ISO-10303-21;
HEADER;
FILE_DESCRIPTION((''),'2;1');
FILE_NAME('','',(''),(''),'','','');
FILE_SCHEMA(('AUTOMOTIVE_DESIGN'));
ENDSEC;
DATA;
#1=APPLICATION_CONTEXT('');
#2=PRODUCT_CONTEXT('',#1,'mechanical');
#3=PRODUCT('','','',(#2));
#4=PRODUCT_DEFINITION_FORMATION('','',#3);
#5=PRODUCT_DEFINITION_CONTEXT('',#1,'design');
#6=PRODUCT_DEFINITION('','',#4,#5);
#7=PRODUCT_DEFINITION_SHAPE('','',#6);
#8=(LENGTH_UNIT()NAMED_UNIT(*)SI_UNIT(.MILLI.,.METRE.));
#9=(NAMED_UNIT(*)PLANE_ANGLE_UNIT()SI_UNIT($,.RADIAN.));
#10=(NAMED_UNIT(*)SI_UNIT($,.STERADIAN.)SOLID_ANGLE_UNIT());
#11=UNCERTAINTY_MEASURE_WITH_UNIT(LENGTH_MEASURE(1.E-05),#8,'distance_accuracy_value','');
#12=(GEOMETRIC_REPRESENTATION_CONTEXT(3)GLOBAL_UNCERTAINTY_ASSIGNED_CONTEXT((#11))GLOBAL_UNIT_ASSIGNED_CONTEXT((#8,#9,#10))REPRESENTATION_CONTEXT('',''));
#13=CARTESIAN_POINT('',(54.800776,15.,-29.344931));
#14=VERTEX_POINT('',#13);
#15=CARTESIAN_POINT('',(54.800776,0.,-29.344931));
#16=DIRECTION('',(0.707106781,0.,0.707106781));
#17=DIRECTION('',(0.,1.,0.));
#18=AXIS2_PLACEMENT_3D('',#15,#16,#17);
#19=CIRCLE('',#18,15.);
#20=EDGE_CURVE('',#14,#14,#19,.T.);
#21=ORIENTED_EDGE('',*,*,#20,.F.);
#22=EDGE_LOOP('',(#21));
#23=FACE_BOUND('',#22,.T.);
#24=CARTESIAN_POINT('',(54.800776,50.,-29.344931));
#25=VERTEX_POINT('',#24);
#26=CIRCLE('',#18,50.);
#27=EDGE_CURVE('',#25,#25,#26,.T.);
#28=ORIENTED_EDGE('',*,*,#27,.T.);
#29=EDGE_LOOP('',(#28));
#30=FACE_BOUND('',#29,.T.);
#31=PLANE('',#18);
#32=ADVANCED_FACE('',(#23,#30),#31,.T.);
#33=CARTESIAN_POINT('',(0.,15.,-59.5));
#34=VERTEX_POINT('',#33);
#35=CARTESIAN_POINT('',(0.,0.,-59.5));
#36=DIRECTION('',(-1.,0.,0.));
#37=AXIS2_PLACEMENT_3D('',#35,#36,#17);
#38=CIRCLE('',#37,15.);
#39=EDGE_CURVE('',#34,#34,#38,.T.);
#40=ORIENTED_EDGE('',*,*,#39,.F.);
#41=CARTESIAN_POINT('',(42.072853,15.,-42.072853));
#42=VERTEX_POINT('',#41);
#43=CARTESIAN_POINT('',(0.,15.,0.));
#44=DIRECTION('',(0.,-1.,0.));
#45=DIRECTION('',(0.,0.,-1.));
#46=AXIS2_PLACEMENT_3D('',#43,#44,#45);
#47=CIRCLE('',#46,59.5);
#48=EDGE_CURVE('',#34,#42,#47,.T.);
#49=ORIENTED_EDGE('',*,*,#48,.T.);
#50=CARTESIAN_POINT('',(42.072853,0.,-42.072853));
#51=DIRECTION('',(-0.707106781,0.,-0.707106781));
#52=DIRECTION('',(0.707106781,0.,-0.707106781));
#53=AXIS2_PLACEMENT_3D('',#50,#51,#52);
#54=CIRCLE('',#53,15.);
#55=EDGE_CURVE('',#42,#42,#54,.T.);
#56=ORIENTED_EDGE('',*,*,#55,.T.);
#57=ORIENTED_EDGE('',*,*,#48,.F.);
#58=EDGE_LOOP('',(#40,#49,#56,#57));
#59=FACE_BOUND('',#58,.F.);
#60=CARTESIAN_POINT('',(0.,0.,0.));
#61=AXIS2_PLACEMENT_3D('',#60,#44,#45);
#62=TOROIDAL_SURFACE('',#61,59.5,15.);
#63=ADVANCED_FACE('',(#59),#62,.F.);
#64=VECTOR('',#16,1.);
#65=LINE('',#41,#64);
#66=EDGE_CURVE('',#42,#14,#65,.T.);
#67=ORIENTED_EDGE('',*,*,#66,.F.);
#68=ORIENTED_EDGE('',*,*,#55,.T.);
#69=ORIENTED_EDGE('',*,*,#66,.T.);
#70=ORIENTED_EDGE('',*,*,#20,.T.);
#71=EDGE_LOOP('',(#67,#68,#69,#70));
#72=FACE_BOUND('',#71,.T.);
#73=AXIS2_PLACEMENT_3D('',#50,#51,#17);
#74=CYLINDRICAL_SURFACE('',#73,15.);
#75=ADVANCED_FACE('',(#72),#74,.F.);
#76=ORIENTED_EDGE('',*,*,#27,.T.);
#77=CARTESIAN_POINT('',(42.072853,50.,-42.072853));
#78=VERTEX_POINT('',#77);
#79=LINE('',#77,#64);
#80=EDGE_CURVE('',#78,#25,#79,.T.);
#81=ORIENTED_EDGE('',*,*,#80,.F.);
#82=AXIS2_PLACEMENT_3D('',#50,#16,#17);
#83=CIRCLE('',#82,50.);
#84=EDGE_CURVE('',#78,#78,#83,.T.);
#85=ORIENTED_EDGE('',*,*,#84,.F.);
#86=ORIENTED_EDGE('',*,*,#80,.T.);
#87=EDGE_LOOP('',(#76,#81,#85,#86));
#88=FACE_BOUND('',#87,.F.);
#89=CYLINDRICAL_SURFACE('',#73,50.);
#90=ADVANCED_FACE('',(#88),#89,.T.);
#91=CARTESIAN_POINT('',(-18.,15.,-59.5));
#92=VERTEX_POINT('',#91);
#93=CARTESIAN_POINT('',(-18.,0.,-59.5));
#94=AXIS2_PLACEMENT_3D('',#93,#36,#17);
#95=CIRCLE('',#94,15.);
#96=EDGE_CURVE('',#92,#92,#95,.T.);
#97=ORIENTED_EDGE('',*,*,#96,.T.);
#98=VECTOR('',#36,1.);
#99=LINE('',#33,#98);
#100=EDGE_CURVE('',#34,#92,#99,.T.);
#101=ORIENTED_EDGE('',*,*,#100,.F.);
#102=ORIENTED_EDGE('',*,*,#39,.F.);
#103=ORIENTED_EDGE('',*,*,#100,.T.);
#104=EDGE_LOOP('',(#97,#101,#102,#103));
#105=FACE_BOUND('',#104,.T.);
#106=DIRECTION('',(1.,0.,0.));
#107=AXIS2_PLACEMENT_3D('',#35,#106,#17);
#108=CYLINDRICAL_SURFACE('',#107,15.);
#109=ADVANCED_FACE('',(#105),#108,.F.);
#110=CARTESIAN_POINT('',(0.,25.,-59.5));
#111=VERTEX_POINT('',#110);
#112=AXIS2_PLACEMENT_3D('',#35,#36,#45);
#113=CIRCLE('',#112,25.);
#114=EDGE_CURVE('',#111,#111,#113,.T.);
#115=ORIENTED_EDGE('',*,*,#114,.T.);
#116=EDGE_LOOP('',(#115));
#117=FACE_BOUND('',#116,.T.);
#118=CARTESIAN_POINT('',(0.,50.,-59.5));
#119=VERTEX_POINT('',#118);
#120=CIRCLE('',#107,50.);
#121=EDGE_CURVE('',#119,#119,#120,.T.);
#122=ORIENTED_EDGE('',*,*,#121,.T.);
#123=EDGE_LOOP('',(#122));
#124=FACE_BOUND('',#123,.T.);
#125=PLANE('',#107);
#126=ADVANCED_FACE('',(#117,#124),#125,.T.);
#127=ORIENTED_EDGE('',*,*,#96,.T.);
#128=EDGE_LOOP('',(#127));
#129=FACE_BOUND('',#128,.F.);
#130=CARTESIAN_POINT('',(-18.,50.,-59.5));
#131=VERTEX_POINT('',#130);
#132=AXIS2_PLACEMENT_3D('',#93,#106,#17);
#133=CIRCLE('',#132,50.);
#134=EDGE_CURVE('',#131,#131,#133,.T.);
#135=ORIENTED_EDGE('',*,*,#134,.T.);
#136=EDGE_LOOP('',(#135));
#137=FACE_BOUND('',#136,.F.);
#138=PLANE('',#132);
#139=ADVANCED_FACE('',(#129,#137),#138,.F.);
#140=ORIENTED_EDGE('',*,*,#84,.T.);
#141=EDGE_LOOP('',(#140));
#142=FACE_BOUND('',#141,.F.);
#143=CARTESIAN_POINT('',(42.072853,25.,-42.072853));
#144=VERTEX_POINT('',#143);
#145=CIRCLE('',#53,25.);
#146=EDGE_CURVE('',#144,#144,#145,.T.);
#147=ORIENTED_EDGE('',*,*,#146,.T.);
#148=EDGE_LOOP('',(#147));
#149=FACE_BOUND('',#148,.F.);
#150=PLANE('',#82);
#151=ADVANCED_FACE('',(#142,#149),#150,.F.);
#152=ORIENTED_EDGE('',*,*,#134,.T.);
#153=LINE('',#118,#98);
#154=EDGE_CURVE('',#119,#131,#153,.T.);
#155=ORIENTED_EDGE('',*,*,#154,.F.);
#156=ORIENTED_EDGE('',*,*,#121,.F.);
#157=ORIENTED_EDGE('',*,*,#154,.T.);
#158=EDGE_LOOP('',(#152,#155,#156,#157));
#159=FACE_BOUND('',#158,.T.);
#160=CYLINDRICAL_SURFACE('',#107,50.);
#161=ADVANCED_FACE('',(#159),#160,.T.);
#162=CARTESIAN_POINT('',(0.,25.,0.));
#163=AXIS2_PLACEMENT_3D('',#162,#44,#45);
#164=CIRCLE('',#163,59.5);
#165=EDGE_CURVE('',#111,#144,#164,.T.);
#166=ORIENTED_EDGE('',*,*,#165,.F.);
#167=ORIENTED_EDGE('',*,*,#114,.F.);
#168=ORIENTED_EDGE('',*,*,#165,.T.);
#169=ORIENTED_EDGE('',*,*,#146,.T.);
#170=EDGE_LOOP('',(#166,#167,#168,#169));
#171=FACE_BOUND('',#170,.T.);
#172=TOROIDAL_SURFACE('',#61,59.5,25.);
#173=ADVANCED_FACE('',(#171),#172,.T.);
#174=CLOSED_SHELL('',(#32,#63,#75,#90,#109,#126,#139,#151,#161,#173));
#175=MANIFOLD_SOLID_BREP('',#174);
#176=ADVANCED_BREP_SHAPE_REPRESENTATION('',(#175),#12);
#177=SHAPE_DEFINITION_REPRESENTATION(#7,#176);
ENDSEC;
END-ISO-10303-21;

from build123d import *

# Parameters (mm, degrees)
F1_R     = 50
F1_R_2   = 25
F2_DEPTH = 18
F4_R     = 50
F4_R_2   = 25
F4_R_3   = 15
F5_DEPTH = 18


with BuildPart() as f2:
    # F1 (on Right) → F2 (new body)
    with BuildSketch(Plane.YZ):
        with Locations((0, -59.5)):
            Circle(F1_R)
        with Locations((0, -59.5)):
            Circle(F1_R_2, mode=Mode.SUBTRACT)
        with Locations((0, -59.5)):
            Circle(F1_R_2)
        with BuildLine():
            ThreePointArc((0, -44.5), (10.6066017178, -48.8933982822), (15, -59.5))
            ThreePointArc((15, -59.5), (-10.6066017178, -70.1066017178), (0, -44.5))
        make_face(mode=Mode.SUBTRACT)
    extrude(amount=-F2_DEPTH)

    # F3: sweep along a path in F0
    with BuildLine(Plane.XZ) as f3_path:
        ThreePointArc((0, -59.5), (22.7696642257, -54.9708321844), (42.0728534806, -42.0728534806))
    # F1 (on Right) → F3 (sweep)
    with BuildSketch(Plane.YZ):
        with Locations((0, -59.5)):
            Circle(F1_R_2)
        with BuildLine():
            ThreePointArc((0, -44.5), (10.6066017178, -48.8933982822), (15, -59.5))
            ThreePointArc((15, -59.5), (-10.6066017178, -70.1066017178), (0, -44.5))
        make_face(mode=Mode.SUBTRACT)
    sweep(path=f3_path.line)

    # F4 (on face) → F5 (join)
    with BuildSketch(Plane(origin=(0, 0, 0), x_dir=(0, 1, 0), z_dir=(0.7071067812, 0, 0.7071067812))):
        with Locations((0, -59.5)):
            Circle(F4_R)
        with Locations((0, -59.5)):
            Circle(F4_R_2, mode=Mode.SUBTRACT)
        with Locations((0, -59.5)):
            Circle(F4_R_2)
        with Locations((0, -59.5)):
            Circle(F4_R_3, mode=Mode.SUBTRACT)
    extrude(amount=F5_DEPTH)


solid = f2.part
